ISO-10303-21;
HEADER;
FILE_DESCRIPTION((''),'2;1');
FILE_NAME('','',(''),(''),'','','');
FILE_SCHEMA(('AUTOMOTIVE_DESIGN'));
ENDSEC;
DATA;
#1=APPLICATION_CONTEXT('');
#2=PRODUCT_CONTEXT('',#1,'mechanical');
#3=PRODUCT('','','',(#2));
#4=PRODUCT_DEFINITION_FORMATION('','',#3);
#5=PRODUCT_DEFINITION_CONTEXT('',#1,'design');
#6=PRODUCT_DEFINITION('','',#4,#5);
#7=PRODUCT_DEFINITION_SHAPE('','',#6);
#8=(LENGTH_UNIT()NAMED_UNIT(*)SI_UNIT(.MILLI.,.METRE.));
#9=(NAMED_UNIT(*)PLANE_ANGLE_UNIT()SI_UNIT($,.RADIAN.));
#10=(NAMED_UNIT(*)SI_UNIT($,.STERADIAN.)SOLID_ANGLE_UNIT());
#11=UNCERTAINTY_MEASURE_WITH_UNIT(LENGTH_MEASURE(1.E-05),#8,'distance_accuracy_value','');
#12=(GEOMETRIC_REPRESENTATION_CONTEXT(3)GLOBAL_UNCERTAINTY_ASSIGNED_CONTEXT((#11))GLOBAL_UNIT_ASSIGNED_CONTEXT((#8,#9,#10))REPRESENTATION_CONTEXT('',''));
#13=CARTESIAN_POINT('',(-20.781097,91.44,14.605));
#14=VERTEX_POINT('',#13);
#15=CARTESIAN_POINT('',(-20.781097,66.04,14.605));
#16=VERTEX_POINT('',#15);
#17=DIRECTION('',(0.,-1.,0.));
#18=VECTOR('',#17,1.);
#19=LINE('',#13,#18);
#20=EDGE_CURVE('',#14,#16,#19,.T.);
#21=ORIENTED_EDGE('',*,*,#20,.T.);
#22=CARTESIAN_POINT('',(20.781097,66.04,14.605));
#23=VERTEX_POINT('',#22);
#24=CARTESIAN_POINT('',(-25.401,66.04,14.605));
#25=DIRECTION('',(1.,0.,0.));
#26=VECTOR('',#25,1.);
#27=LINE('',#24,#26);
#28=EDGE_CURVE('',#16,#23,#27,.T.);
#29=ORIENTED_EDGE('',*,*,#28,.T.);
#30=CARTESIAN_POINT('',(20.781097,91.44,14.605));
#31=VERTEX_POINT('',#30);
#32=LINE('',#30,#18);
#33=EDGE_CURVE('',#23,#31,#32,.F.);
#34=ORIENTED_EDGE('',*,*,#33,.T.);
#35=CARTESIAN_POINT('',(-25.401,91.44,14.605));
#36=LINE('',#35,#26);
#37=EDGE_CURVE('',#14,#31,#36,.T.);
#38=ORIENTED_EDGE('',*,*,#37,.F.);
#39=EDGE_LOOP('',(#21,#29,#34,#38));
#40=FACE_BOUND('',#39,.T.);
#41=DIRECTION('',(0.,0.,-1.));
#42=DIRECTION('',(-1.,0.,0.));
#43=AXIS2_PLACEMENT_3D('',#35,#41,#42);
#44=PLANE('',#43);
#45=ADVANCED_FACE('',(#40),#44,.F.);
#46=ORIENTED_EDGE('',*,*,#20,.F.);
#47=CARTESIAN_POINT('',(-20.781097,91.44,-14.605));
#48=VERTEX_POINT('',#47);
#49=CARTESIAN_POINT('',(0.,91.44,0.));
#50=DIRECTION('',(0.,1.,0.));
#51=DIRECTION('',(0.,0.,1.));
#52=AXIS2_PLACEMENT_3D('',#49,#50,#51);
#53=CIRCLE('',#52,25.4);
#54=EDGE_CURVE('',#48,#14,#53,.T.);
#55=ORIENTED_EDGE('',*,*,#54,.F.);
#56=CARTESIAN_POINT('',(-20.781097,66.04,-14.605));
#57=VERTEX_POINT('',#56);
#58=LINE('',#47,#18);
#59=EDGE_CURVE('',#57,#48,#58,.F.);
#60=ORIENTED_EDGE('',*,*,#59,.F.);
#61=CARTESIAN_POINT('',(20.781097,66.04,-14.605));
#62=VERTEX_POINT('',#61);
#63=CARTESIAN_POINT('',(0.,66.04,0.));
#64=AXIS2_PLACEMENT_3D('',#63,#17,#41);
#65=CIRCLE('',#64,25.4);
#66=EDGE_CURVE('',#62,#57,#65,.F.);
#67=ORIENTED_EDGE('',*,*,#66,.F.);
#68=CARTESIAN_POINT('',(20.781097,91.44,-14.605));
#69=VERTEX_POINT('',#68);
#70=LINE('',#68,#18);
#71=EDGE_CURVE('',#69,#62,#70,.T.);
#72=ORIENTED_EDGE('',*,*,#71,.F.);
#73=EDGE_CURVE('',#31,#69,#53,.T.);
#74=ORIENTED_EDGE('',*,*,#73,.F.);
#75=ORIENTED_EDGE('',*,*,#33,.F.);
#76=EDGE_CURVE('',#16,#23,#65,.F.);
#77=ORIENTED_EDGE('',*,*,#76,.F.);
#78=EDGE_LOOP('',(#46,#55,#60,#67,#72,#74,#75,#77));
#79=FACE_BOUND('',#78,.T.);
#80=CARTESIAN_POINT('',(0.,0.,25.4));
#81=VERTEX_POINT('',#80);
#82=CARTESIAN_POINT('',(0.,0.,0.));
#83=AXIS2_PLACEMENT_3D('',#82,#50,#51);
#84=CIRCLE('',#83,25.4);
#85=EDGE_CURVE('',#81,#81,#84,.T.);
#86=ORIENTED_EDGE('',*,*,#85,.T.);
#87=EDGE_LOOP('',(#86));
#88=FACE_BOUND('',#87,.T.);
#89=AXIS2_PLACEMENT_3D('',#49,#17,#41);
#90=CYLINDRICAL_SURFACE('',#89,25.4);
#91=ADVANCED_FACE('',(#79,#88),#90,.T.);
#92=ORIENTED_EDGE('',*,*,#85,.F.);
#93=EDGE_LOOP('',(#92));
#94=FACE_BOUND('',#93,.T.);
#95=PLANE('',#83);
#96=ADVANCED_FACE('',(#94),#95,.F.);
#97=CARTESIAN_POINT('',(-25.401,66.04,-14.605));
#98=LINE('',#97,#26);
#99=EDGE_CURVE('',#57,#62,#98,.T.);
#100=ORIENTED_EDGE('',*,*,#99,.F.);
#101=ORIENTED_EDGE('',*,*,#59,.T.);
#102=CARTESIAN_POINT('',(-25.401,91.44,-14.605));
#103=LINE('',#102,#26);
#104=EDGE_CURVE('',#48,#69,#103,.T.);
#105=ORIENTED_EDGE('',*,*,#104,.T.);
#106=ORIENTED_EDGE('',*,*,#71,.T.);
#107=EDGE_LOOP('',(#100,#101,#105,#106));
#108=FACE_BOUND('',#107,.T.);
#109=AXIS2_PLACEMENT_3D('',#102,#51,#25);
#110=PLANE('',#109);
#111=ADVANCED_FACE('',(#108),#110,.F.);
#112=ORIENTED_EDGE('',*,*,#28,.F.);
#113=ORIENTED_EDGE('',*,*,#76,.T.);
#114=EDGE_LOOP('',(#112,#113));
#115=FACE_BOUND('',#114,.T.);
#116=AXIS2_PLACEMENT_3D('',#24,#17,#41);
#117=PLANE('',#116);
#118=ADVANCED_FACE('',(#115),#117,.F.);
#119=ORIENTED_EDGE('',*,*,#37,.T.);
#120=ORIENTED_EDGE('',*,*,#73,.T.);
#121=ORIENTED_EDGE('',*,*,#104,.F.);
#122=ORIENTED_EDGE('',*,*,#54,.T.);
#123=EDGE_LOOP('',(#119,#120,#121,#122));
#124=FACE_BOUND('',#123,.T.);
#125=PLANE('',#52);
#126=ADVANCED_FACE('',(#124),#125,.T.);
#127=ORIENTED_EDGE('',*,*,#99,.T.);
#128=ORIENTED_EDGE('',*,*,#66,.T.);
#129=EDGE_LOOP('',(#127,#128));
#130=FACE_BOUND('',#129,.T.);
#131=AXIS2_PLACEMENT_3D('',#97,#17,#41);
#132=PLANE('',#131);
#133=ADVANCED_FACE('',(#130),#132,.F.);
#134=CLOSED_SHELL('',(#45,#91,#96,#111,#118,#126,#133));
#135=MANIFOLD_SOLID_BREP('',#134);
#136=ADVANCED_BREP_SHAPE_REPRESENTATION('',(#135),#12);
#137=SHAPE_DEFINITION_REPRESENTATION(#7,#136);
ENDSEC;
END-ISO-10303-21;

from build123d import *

# Parameters (mm, degrees)
SKETCH1_R           = 25.4
BOSS_EXTRUDE1_DEPTH = 91.44
CUT_EXTRUDE1_REACH  = 109.643
SKETCH2_W           = 10.795
SKETCH2_H           = 25.4


with BuildPart() as part:
    # Sketch1 → Boss-Extrude1 (new body)
    with BuildSketch(Plane(origin=(0, 0, 0), x_dir=(1, 0, 0), z_dir=(0, 1, 0))):
        with Locations(Location((0, 0, 0), (0, 0, 270))):
            Circle(SKETCH1_R)
    extrude(amount=BOSS_EXTRUDE1_DEPTH)

    # Sketch2 → Cut-Extrude1 (cut, up to next)
    with BuildSketch(Plane(origin=(25.4, 0, 0), x_dir=(0, 0, -1), z_dir=(1, 0, 0)), mode=Mode.PRIVATE) as cut_extrude1_sk1:
        with Locations((-20.0025, 78.74)):
            Rectangle(SKETCH2_W, SKETCH2_H)
    cut_extrude1_tool1 = extrude(cut_extrude1_sk1.sketch, amount=-CUT_EXTRUDE1_REACH, mode=Mode.PRIVATE) & part.part
    # Sketch2 → Cut-Extrude1 (cut, up to next)
    with BuildSketch(Plane(origin=(25.4, 0, 0), x_dir=(0, 0, -1), z_dir=(1, 0, 0)), mode=Mode.PRIVATE) as cut_extrude1_sk2:
        with Locations((20.0025, 78.74)):
            Rectangle(SKETCH2_W, SKETCH2_H)
    cut_extrude1_tool2 = extrude(cut_extrude1_sk2.sketch, amount=-CUT_EXTRUDE1_REACH, mode=Mode.PRIVATE) & part.part
    add(cut_extrude1_tool1.solids().sort_by_distance((25.4, 78.74, 20.0025))[0], mode=Mode.SUBTRACT)
    add(cut_extrude1_tool2.solids().sort_by_distance((25.4, 78.74, -20.0025))[0], mode=Mode.SUBTRACT)


solid = part.part
